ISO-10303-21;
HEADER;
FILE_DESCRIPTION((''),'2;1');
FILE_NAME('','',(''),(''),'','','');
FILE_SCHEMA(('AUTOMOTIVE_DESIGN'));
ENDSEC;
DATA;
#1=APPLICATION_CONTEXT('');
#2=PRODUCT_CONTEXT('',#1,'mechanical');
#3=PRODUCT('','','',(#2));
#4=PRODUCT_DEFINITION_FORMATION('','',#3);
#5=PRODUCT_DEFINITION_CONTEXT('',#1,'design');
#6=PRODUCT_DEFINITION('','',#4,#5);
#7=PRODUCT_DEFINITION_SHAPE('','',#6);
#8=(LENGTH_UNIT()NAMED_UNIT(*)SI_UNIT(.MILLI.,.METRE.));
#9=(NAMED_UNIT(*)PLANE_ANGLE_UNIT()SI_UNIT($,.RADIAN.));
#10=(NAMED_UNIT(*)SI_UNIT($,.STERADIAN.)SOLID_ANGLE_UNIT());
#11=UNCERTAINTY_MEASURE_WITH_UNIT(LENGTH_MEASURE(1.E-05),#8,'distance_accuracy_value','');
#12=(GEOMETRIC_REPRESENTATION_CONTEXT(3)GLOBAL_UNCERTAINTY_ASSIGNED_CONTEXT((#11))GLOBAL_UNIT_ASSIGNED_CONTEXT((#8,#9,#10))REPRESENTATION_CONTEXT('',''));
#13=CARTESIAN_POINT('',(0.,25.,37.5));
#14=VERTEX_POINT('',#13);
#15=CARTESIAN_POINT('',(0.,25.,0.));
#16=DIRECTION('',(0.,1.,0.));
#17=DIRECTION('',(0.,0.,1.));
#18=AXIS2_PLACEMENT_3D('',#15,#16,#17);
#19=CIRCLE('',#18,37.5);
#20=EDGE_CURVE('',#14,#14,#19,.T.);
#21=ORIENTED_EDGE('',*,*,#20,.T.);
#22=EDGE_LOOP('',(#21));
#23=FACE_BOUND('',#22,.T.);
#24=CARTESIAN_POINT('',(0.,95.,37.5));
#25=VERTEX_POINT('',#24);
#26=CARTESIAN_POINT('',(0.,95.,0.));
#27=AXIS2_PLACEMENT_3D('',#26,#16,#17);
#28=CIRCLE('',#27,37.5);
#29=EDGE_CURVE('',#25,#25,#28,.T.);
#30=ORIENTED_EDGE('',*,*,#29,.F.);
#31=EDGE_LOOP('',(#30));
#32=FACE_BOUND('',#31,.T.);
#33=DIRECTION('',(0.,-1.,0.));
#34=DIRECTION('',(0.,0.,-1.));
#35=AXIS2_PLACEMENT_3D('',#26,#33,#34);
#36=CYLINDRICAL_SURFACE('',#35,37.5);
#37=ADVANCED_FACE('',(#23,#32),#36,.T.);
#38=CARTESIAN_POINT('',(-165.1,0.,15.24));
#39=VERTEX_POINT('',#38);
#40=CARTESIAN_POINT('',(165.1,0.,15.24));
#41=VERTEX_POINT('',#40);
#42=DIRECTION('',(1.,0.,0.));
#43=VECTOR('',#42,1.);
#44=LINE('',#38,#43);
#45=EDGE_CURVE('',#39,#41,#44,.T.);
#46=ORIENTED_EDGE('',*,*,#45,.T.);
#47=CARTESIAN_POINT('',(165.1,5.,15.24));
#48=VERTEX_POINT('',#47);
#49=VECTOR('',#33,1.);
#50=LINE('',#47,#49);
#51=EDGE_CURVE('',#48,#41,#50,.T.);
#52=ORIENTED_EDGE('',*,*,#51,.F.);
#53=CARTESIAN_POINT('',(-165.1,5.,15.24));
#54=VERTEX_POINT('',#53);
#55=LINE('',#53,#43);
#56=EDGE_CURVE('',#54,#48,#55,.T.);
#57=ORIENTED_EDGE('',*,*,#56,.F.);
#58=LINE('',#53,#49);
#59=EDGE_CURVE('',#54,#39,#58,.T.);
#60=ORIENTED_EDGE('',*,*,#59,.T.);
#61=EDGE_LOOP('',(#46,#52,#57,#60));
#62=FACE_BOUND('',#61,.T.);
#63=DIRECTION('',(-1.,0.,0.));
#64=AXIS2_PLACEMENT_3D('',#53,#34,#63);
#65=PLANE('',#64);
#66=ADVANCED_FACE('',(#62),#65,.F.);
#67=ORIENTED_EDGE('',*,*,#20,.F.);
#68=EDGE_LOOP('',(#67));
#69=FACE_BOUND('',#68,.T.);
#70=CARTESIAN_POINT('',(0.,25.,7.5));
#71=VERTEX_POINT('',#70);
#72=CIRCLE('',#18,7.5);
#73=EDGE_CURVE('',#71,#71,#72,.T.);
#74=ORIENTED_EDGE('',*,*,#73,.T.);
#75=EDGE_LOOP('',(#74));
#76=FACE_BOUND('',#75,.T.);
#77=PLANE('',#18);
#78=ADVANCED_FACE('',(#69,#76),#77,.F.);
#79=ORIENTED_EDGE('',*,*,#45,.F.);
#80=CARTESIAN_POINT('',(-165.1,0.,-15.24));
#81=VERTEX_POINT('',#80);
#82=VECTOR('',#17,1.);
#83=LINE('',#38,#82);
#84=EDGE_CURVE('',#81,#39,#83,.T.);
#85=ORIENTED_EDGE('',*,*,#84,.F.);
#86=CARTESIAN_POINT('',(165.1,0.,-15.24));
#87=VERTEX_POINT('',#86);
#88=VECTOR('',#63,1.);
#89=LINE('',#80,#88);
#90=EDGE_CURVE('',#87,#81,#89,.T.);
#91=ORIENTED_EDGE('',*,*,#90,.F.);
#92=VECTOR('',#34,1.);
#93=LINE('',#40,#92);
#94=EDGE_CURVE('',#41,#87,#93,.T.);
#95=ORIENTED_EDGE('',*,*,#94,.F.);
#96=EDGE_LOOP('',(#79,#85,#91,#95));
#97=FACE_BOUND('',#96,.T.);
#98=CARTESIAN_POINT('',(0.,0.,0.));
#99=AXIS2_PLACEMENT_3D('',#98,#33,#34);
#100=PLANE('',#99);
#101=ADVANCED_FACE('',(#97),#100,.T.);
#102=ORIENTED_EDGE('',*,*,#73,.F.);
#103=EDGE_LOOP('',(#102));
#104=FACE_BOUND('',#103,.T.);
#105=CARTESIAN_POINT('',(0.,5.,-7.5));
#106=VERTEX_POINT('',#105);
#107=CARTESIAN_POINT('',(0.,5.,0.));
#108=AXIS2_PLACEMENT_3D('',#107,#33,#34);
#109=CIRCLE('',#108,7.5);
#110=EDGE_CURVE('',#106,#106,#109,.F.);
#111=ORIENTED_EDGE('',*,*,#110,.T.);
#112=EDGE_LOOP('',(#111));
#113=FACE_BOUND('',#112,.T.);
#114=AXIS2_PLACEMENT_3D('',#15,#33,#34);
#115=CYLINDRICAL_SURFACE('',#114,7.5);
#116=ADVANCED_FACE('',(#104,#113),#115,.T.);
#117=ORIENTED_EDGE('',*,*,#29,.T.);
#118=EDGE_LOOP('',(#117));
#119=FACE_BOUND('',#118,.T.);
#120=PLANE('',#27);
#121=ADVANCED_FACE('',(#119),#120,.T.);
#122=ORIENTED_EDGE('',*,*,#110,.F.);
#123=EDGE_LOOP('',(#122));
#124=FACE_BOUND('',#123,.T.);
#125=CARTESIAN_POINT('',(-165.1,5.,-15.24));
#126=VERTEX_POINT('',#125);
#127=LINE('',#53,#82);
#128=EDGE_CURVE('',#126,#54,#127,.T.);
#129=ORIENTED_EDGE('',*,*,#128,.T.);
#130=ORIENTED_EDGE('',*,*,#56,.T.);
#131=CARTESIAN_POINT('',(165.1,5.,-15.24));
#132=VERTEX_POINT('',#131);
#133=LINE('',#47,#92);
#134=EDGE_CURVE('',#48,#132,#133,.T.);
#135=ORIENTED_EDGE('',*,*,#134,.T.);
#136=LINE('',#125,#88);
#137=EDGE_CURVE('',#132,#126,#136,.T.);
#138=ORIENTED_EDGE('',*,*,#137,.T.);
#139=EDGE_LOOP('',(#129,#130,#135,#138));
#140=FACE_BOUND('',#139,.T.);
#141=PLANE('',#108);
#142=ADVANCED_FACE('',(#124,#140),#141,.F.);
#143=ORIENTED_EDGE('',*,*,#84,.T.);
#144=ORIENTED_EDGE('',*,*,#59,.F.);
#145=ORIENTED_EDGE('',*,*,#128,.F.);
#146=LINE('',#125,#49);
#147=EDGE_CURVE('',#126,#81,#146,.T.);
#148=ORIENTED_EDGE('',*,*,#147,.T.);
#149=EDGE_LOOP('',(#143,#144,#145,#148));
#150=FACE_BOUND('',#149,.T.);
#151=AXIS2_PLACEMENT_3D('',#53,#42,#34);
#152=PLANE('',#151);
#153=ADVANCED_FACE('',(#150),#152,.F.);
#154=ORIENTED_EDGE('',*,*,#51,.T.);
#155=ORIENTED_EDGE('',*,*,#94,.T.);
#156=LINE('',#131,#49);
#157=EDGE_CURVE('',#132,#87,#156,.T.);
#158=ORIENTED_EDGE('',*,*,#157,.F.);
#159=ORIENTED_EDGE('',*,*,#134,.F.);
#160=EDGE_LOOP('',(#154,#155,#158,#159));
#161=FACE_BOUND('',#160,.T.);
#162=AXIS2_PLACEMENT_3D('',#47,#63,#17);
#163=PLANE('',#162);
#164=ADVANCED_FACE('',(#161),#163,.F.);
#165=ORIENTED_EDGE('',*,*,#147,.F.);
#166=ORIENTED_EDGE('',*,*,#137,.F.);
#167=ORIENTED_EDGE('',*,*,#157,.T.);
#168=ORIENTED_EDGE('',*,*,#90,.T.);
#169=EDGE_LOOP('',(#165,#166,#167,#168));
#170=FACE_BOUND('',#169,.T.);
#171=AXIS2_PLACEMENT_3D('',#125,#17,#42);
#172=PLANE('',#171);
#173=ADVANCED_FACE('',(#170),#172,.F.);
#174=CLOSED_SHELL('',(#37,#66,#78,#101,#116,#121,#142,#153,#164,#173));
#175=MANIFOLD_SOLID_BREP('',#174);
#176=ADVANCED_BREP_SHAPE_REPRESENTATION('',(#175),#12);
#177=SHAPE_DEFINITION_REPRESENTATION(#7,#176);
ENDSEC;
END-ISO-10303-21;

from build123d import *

# Parameters (mm, degrees)
SKETCH1_W           = 330.2
SKETCH1_H           = 30.48
BOSS_EXTRUDE1_DEPTH = 5
SKETCH2_R           = 7.5
BOSS_EXTRUDE2_DEPTH = 20
SKETCH3_R           = 37.5
BOSS_EXTRUDE3_DEPTH = 70


with BuildPart() as part:
    # Sketch1 → Boss-Extrude1 (new body)
    with BuildSketch(Plane(origin=(0, 0, 0), x_dir=(1, 0, 0), z_dir=(0, 1, 0))):
        Rectangle(SKETCH1_W, SKETCH1_H)
    extrude(amount=BOSS_EXTRUDE1_DEPTH)

    # Sketch2 → Boss-Extrude2 (add)
    with BuildSketch(Plane(origin=(0, 5, 0), x_dir=(1, 0, 0), z_dir=(0, 1, 0))):
        with Locations(Location((0, 0, 0), (0, 0, 90))):
            Circle(SKETCH2_R)
    extrude(amount=BOSS_EXTRUDE2_DEPTH)

    # Sketch3 → Boss-Extrude3 (add)
    with BuildSketch(Plane(origin=(0, 25, 0), x_dir=(1, 0, 0), z_dir=(0, 1, 0))):
        with Locations(Location((0, 0, 0), (0, 0, 270))):
            Circle(SKETCH3_R)
    extrude(amount=BOSS_EXTRUDE3_DEPTH)


solid = part.part
